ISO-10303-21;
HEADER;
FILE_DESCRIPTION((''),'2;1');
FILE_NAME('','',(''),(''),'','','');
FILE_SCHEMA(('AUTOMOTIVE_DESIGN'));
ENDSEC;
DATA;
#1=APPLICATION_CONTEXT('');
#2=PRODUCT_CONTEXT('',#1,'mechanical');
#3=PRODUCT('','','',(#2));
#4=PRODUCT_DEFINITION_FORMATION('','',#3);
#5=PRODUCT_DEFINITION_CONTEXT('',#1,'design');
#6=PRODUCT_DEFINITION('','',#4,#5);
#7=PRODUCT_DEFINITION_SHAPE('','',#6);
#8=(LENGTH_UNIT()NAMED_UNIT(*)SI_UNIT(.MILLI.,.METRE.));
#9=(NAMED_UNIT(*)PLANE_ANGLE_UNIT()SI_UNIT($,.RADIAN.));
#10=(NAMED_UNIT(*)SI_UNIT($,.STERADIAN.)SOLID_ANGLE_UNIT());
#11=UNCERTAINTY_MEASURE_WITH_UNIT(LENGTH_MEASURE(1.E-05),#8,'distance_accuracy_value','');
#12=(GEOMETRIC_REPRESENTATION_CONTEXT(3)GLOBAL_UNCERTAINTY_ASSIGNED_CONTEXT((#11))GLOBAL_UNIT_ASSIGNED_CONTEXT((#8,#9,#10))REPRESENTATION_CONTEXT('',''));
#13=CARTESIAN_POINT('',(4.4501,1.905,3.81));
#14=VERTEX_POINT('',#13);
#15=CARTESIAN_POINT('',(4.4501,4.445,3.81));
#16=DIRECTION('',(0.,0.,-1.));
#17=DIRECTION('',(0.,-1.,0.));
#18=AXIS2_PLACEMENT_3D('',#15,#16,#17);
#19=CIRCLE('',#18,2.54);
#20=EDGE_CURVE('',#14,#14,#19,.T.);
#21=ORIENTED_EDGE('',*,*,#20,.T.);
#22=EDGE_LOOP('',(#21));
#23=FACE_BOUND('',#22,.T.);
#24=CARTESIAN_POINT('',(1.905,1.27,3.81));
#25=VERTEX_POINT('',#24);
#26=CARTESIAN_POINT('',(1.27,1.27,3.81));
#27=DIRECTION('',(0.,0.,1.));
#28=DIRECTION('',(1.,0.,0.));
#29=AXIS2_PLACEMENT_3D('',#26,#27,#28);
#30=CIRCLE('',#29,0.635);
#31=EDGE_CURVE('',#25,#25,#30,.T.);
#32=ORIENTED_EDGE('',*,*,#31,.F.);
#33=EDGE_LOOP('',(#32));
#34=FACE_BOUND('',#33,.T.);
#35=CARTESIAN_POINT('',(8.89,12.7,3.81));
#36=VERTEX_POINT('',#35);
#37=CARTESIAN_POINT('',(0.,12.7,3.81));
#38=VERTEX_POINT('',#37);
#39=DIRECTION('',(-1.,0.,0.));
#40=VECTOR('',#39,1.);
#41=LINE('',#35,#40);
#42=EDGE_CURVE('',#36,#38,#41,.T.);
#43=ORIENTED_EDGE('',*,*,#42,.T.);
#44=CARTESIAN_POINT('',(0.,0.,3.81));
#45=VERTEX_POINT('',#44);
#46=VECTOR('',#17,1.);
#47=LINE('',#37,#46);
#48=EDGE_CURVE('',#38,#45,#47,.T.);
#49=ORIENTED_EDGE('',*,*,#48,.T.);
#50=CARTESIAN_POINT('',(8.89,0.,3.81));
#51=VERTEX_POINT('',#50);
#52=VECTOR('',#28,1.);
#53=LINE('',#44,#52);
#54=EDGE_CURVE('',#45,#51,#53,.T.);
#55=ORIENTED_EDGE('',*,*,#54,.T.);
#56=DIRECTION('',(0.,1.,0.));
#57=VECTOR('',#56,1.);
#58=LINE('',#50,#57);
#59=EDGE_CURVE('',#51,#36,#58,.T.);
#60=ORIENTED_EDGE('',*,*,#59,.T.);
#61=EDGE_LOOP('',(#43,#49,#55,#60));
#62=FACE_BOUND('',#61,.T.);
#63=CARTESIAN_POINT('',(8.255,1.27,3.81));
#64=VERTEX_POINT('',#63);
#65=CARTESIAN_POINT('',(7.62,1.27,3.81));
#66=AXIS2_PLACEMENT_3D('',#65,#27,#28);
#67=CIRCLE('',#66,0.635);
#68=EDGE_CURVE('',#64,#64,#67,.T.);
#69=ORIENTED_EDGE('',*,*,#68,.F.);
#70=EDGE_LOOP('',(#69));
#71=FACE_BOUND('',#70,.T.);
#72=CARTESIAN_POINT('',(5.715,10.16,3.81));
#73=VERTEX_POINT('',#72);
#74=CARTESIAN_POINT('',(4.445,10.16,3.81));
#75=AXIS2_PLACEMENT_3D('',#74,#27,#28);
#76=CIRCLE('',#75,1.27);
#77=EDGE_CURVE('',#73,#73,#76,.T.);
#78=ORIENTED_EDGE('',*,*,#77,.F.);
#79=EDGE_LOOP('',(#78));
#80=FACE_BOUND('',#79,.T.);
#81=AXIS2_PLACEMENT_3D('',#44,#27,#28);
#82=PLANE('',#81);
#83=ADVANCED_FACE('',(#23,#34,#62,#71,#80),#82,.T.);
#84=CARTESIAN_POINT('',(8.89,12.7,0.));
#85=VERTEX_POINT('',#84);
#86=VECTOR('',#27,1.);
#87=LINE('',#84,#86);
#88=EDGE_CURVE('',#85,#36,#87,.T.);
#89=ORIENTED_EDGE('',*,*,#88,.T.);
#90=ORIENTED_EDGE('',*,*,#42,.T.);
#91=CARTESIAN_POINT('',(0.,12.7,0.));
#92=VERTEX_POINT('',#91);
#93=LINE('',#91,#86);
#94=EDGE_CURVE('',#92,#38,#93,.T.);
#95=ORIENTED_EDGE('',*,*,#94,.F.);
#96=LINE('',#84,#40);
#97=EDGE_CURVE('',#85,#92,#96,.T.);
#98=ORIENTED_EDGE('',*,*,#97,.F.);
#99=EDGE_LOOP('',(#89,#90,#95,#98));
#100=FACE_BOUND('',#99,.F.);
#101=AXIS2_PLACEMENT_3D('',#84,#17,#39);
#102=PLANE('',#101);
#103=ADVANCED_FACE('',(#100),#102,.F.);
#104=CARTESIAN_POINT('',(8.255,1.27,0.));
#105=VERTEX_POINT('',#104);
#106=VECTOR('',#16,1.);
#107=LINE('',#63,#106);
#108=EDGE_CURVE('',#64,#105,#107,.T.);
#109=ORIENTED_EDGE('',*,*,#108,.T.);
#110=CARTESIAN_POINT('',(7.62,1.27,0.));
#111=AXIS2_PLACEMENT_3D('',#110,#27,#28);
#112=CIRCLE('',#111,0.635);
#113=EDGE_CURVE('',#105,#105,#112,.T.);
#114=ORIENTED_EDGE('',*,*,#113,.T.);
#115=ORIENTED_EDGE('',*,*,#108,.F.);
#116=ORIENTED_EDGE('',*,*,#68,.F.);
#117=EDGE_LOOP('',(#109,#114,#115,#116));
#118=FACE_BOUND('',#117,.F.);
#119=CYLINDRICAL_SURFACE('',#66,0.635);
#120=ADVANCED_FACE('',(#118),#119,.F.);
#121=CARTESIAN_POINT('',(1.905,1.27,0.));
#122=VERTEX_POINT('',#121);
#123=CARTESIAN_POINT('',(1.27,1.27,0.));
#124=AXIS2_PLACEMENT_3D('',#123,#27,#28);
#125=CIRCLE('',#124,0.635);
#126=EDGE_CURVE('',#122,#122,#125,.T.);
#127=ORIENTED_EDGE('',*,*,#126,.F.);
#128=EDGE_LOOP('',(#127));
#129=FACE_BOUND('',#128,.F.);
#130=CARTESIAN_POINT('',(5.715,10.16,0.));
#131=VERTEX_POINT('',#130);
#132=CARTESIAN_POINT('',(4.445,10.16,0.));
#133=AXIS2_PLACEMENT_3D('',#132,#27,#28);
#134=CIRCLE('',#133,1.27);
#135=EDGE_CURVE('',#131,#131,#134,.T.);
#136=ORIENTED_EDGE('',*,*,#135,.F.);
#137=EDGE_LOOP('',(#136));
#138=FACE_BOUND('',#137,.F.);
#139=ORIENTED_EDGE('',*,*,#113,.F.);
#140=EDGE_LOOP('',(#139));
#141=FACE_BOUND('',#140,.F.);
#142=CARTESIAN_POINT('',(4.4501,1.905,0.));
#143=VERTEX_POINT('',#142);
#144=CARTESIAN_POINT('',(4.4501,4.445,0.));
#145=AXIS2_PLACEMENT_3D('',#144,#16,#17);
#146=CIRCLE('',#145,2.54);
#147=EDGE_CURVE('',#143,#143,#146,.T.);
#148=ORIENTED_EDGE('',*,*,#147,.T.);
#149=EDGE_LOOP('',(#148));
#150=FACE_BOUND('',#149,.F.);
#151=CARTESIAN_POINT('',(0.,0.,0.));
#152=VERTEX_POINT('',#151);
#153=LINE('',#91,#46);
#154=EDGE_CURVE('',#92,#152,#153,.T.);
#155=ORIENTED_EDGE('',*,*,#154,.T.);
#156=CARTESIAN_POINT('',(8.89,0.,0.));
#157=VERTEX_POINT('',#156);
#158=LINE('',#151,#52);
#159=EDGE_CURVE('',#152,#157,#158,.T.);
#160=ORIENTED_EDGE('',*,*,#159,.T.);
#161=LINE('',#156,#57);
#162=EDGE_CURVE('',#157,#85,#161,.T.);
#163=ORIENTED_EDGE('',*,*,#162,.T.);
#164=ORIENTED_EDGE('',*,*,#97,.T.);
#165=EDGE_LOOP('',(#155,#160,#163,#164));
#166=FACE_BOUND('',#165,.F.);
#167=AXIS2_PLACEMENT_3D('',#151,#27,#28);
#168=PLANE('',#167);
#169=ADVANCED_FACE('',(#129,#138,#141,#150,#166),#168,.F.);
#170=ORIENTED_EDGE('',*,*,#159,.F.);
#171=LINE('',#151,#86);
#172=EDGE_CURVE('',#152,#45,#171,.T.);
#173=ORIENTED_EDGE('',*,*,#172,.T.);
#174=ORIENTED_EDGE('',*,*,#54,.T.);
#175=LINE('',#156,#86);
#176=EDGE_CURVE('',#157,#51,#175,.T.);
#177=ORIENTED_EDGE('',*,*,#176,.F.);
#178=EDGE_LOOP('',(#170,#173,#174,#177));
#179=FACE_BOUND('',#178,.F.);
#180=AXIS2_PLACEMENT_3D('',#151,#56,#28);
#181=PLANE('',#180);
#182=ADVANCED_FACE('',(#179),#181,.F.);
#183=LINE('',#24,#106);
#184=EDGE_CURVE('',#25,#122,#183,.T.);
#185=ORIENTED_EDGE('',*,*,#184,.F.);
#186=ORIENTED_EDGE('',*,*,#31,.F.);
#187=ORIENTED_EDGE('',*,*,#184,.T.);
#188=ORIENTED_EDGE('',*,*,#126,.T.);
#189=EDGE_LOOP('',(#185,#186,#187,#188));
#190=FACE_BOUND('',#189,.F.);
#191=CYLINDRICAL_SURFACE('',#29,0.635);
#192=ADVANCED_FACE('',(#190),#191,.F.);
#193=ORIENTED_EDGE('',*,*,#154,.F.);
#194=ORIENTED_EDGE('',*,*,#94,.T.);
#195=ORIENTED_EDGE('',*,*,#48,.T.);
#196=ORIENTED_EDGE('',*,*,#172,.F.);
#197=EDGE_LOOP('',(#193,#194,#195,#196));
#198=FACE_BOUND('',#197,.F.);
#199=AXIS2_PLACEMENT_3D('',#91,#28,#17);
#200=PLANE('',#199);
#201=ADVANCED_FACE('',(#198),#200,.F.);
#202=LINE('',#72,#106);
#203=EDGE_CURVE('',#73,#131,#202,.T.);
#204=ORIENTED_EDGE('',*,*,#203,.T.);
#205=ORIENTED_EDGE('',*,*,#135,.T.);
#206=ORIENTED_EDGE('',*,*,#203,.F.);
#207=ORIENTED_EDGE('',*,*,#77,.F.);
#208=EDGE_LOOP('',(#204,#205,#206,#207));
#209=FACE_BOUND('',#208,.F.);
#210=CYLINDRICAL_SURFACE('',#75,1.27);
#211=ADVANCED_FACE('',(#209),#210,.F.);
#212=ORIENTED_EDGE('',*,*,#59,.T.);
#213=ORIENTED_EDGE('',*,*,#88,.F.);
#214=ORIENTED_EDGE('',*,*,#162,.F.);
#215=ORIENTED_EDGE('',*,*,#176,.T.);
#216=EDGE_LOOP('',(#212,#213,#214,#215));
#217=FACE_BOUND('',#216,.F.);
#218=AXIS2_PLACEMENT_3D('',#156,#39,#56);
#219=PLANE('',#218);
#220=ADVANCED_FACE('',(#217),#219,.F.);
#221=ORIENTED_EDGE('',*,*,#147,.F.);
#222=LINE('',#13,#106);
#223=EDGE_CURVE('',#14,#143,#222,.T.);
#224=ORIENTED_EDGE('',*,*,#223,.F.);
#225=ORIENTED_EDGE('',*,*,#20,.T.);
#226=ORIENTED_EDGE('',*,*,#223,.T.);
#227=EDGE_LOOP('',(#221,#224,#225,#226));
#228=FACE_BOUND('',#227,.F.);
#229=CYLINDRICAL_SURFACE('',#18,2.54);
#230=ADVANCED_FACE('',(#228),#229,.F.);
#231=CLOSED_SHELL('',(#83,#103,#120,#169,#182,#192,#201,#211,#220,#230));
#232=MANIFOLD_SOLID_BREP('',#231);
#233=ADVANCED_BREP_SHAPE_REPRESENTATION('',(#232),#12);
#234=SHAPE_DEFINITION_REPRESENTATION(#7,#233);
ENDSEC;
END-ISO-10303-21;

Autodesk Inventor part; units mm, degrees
ref_plane "YZ Plane" through (0, 0, 0) normal (1, 0, 0) x (0, 1, 0)
ref_plane "XZ Plane" through (0, 0, 0) normal (0, 1, 0) x (-1, 0, 0)
ref_plane "XY Plane" through (0, 0, 0) normal (0, 0, 1) x (1, 0, 0)
sketch "Sketch1" plane through (0, 0, 0) normal (0, 0, 1) x (1, 0, 0)
  line L0 (0, 0) -> (8.89, 0)
  line L1 (8.89, 0) -> (8.89, 12.7)
  line L2 (8.89, 12.7) -> (0, 12.7)
  line L3 (0, 12.7) -> (0, 0)
  dimension "d0" = 8.89
  dimension "d1" = 12.7
extrude "Extrusion1" add sketch "Sketch1" along normal blind 3.81
sketch "Sketch2" plane through (0, 0, 3.81) normal (0, 0, 1) x (1, 0, 0)
  circle A0 centre (4.4501, 4.445) radius 3.175
  line L0 (0, 0) -> (8.89, 0) projected
  line L1 (8.89, 0) -> (8.89, 12.7) projected
  dimension "d4" = 6.35
  dimension "d5" = 4.445
  dimension "d6" = 4.4399
hole "Hole1" at (4.4501, 4.445, 3.81) direction (0, 0, -1) diameter 5.08 depth 19.05
sketch "Sketch3" plane through (0, 0, 3.81) normal (0, 0, 1) x (1, 0, 0)
  circle A0 centre (4.445, 10.16) radius 1.27
  line L0 (8.89, 12.7) -> (0, 12.7) projected
  line L1 (8.89, 0) -> (8.89, 12.7) projected
  point P0 (0, 0)
  dimension "d14" = 2.54
  dimension "d15" = 2.54
  dimension "d16" = 4.445
extrude "Extrusion2" cut sketch "Sketch3" against normal blind 25.4
sketch "Sketch4" plane through (0, 0, 3.81) normal (0, 0, 1) x (1, 0, 0)
  circle A0 centre (7.62, 1.27) radius 0.635
  circle A1 centre (1.27, 1.27) radius 0.635
  line L0 (8.89, 0) -> (8.89, 12.7) projected
  line L1 (0, 0) -> (8.89, 0) projected
  line L2 (0, 12.7) -> (0, 0) projected
  dimension "d19" = 1.27
  dimension "d20" = 1.27
  dimension "d21" = 1.27
  dimension "d22" = 1.27
  dimension "d23" = 1.27
  dimension "d24" = 1.27
extrude "Extrusion3" cut sketch "Sketch4" against normal through all
properties part number "EndHole"
